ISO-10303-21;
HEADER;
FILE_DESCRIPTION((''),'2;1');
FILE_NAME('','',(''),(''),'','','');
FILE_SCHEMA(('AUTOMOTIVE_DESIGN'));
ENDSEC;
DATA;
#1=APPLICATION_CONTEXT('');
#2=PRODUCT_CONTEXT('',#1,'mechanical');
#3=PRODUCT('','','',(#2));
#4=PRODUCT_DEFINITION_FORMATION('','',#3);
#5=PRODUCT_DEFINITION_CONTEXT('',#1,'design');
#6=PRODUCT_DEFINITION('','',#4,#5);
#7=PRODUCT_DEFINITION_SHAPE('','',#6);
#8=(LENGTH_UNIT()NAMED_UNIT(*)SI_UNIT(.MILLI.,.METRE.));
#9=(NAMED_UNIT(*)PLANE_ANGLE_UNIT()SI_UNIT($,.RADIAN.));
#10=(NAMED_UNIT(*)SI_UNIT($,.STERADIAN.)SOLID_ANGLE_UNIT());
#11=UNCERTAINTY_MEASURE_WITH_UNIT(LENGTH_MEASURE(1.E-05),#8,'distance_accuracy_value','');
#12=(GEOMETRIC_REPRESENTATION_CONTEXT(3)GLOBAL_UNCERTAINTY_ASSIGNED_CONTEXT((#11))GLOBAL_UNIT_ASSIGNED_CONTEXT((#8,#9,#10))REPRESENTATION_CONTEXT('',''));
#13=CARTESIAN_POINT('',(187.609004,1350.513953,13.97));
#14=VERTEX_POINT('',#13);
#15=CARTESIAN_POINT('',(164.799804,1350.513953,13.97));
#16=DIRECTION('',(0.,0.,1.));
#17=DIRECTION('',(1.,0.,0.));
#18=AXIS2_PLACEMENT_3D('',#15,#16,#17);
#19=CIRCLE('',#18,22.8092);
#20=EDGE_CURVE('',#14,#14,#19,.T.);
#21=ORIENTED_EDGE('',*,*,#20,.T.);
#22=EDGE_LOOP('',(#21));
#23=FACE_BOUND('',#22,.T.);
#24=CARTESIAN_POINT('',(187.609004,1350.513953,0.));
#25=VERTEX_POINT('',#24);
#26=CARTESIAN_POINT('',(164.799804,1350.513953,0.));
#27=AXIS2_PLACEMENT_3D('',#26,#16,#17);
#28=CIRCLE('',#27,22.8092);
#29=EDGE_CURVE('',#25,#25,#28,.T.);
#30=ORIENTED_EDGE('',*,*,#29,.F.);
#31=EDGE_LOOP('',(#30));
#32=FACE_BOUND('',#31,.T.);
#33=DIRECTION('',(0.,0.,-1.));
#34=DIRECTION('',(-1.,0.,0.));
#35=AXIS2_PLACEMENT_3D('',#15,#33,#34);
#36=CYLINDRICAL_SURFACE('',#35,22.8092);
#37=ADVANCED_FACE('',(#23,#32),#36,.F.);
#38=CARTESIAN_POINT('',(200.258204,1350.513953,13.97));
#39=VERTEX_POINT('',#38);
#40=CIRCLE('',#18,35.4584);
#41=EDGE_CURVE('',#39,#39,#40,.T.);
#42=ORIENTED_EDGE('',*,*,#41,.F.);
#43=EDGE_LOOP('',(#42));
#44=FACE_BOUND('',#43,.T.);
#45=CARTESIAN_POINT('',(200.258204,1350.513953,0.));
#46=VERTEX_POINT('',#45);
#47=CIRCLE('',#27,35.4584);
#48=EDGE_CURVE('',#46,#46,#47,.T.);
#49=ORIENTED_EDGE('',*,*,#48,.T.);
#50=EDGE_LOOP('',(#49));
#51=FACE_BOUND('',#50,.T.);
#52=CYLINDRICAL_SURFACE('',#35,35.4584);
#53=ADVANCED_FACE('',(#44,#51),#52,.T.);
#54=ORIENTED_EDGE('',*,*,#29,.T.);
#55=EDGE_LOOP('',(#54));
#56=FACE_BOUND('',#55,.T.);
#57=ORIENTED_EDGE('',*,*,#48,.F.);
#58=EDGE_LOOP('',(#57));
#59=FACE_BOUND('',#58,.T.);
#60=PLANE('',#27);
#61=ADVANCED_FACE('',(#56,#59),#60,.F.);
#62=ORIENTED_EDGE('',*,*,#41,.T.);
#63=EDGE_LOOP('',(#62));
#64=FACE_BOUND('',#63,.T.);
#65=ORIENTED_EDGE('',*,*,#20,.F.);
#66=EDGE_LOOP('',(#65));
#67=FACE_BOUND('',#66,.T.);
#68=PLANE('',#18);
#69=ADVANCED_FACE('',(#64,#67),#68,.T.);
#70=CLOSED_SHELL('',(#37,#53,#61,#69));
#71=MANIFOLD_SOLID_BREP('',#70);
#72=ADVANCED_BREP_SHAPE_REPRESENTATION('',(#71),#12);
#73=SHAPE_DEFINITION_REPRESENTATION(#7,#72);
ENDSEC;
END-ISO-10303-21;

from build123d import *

# Parameters (mm, degrees)
SKETCH1_R           = 35.4584
SKETCH1_R_2         = 22.8092
BOSS_EXTRUDE1_DEPTH = 13.97


with BuildPart() as part:
    # Sketch1 → Boss-Extrude1 (new body)
    with BuildSketch(Plane.XY):
        with Locations((164.799803954, 1350.513952992)):
            Circle(SKETCH1_R)
        with Locations((164.799803954, 1350.513952992)):
            Circle(SKETCH1_R_2, mode=Mode.SUBTRACT)
    extrude(amount=BOSS_EXTRUDE1_DEPTH)


solid = part.part
